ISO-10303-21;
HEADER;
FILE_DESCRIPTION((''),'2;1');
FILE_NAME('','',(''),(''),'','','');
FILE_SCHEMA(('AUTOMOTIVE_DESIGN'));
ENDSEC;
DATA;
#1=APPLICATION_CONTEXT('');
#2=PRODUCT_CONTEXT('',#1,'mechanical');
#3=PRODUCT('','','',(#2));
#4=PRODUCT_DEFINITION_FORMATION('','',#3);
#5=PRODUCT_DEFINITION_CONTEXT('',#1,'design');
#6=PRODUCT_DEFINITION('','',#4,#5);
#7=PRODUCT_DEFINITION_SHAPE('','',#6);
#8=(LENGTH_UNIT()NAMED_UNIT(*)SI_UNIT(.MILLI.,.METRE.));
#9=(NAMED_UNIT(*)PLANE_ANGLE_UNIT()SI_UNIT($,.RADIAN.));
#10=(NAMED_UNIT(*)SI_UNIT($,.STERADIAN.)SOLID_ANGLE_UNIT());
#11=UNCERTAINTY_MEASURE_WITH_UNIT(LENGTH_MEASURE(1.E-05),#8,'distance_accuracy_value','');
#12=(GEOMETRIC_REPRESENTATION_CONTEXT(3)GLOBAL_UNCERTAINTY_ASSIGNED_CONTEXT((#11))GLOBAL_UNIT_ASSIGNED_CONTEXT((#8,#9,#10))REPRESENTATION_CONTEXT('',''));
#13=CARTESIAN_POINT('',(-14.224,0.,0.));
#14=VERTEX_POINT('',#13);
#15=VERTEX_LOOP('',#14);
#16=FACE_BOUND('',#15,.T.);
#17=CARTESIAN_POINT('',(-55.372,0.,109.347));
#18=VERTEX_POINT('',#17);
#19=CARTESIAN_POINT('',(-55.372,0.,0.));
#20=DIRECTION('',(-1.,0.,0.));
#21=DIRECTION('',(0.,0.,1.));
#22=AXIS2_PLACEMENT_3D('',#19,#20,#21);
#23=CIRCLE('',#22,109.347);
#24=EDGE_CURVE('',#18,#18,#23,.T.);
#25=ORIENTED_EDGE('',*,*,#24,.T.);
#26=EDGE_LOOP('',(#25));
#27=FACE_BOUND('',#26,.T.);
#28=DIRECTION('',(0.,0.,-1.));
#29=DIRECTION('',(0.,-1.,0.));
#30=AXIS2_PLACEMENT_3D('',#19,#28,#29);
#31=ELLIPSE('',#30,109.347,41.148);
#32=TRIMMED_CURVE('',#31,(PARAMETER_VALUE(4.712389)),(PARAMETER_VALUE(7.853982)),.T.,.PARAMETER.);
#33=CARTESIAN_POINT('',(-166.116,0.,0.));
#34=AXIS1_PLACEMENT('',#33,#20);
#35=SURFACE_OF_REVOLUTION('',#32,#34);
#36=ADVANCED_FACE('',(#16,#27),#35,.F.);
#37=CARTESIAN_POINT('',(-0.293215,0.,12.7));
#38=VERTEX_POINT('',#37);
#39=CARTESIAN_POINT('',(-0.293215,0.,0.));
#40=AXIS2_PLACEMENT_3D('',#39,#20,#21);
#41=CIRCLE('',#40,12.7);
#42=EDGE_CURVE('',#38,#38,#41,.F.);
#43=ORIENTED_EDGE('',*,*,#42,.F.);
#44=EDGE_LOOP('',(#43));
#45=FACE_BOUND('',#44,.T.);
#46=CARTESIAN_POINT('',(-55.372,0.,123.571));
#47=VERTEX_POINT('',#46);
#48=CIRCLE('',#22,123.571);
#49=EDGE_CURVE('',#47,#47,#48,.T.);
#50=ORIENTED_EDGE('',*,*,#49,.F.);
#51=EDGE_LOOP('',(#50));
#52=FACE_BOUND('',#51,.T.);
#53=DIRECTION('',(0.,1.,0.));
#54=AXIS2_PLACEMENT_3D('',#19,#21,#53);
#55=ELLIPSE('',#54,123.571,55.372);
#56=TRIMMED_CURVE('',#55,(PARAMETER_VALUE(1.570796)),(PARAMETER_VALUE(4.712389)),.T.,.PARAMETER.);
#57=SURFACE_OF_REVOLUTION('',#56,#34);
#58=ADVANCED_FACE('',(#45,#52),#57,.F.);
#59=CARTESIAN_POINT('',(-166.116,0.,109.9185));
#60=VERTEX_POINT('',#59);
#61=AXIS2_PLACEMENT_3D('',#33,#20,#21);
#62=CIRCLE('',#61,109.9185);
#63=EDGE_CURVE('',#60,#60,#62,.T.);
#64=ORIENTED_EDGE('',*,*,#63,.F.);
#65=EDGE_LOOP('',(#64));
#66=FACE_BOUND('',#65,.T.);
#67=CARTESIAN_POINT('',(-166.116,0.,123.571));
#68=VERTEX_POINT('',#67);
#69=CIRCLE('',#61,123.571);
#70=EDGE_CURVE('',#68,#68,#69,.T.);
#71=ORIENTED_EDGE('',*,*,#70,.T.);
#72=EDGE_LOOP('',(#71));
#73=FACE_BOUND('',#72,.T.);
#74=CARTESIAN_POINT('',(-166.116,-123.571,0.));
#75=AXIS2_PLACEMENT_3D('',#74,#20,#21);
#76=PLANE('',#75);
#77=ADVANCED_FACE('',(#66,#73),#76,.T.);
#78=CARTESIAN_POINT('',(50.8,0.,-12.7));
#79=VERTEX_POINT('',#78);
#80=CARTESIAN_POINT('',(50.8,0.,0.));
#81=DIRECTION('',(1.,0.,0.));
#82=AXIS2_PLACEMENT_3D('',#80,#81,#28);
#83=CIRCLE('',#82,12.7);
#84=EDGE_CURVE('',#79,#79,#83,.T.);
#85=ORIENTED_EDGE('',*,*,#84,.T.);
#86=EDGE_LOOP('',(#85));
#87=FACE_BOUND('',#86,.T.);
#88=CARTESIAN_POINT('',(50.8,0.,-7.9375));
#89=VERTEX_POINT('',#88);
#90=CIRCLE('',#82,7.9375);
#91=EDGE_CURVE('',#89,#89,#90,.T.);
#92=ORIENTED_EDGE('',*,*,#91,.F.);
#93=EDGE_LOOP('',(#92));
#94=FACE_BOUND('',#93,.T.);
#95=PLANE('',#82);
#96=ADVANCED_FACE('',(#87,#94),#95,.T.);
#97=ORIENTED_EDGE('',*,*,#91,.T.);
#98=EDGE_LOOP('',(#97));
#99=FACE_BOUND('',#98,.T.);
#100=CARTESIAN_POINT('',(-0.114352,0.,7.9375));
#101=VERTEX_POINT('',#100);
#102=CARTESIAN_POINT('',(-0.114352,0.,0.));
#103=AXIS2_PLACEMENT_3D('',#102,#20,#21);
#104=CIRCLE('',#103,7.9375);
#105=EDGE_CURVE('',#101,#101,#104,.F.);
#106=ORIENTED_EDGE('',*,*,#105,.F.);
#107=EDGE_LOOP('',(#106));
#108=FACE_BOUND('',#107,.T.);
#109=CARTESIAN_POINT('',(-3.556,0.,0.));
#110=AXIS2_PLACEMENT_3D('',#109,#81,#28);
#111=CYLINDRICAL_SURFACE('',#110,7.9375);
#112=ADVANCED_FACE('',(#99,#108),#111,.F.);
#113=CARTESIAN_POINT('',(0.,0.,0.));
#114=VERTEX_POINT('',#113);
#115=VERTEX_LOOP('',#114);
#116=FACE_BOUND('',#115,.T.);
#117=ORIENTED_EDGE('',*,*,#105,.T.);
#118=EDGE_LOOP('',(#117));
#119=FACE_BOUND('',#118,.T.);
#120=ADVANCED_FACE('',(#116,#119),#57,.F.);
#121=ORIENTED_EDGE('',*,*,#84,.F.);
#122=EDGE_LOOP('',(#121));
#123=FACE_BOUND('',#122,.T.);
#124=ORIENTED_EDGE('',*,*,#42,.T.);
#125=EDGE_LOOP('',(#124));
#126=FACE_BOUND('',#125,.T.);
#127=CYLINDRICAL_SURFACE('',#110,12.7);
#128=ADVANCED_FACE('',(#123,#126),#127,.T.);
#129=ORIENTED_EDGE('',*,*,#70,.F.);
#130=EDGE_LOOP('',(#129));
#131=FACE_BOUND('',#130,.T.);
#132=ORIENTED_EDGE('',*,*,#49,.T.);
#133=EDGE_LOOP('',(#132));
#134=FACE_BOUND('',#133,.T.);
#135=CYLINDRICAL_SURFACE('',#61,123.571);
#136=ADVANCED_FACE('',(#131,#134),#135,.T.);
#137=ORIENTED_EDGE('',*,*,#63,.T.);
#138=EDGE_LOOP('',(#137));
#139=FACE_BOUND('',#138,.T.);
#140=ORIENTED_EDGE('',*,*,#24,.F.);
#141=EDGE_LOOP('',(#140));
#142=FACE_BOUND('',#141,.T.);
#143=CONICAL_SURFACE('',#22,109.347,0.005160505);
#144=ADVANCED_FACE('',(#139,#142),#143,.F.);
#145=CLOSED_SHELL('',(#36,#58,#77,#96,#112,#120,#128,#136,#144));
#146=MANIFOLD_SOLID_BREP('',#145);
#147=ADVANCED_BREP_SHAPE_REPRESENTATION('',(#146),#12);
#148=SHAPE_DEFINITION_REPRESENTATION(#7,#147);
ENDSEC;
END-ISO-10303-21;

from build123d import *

# Parameters (mm, degrees)
BOSS_EXTRUDE1_DEPTH      = 50.8
BOSS_EXTRUDE1_DEPTH_BACK = 3.556
SKETCH2_R                = 12.7
SKETCH2_R_2              = 7.9375


with BuildPart() as part:
    # Sketch1 → Revolve1 (revolve)
    with BuildSketch(Plane.XY, mode=Mode.PRIVATE) as revolve1_sk:
        with BuildLine():
            Line((-166.116, -123.571), (-55.372, -123.571))
            add(Edge.make_bspline(
                [(-55.372, -123.571), (0, -123.571), (0, 0)],
                knots=[3.141592654, 3.141592654, 3.141592654, 4.71238898, 4.71238898, 4.71238898], degree=2, weights=[1, 0.707106781, 1]))
            Line((0, 0), (-14.224, 0))
            add(Edge.make_bspline(
                [(-55.372, -109.347), (-14.224, -109.347), (-14.224, 0)],
                knots=[0, 0, 0, 1.570796327, 1.570796327, 1.570796327], degree=2, weights=[1, 0.707106781, 1]))
            Line((-55.372, -109.347), (-166.116, -109.9185))
            Line((-166.116, -109.9185), (-166.116, -123.571))
        make_face()
    revolve(revolve1_sk.sketch.rotate(Axis((-166.116, 0, 0), (1, 0, 0)), 270), axis=Axis((-166.116, 0, 0), (1, 0, 0)))

    # Sketch2 → Boss-Extrude1 (add, two sides: drawn at the far end of the back side and taken through both)
    with BuildSketch(Plane(origin=(0, 0, 0), x_dir=(0, 0, -1), z_dir=(1, 0, 0)).offset(-BOSS_EXTRUDE1_DEPTH_BACK)):
        Circle(SKETCH2_R)
        Circle(SKETCH2_R_2, mode=Mode.SUBTRACT)
    extrude(amount=BOSS_EXTRUDE1_DEPTH + BOSS_EXTRUDE1_DEPTH_BACK)


solid = part.part
